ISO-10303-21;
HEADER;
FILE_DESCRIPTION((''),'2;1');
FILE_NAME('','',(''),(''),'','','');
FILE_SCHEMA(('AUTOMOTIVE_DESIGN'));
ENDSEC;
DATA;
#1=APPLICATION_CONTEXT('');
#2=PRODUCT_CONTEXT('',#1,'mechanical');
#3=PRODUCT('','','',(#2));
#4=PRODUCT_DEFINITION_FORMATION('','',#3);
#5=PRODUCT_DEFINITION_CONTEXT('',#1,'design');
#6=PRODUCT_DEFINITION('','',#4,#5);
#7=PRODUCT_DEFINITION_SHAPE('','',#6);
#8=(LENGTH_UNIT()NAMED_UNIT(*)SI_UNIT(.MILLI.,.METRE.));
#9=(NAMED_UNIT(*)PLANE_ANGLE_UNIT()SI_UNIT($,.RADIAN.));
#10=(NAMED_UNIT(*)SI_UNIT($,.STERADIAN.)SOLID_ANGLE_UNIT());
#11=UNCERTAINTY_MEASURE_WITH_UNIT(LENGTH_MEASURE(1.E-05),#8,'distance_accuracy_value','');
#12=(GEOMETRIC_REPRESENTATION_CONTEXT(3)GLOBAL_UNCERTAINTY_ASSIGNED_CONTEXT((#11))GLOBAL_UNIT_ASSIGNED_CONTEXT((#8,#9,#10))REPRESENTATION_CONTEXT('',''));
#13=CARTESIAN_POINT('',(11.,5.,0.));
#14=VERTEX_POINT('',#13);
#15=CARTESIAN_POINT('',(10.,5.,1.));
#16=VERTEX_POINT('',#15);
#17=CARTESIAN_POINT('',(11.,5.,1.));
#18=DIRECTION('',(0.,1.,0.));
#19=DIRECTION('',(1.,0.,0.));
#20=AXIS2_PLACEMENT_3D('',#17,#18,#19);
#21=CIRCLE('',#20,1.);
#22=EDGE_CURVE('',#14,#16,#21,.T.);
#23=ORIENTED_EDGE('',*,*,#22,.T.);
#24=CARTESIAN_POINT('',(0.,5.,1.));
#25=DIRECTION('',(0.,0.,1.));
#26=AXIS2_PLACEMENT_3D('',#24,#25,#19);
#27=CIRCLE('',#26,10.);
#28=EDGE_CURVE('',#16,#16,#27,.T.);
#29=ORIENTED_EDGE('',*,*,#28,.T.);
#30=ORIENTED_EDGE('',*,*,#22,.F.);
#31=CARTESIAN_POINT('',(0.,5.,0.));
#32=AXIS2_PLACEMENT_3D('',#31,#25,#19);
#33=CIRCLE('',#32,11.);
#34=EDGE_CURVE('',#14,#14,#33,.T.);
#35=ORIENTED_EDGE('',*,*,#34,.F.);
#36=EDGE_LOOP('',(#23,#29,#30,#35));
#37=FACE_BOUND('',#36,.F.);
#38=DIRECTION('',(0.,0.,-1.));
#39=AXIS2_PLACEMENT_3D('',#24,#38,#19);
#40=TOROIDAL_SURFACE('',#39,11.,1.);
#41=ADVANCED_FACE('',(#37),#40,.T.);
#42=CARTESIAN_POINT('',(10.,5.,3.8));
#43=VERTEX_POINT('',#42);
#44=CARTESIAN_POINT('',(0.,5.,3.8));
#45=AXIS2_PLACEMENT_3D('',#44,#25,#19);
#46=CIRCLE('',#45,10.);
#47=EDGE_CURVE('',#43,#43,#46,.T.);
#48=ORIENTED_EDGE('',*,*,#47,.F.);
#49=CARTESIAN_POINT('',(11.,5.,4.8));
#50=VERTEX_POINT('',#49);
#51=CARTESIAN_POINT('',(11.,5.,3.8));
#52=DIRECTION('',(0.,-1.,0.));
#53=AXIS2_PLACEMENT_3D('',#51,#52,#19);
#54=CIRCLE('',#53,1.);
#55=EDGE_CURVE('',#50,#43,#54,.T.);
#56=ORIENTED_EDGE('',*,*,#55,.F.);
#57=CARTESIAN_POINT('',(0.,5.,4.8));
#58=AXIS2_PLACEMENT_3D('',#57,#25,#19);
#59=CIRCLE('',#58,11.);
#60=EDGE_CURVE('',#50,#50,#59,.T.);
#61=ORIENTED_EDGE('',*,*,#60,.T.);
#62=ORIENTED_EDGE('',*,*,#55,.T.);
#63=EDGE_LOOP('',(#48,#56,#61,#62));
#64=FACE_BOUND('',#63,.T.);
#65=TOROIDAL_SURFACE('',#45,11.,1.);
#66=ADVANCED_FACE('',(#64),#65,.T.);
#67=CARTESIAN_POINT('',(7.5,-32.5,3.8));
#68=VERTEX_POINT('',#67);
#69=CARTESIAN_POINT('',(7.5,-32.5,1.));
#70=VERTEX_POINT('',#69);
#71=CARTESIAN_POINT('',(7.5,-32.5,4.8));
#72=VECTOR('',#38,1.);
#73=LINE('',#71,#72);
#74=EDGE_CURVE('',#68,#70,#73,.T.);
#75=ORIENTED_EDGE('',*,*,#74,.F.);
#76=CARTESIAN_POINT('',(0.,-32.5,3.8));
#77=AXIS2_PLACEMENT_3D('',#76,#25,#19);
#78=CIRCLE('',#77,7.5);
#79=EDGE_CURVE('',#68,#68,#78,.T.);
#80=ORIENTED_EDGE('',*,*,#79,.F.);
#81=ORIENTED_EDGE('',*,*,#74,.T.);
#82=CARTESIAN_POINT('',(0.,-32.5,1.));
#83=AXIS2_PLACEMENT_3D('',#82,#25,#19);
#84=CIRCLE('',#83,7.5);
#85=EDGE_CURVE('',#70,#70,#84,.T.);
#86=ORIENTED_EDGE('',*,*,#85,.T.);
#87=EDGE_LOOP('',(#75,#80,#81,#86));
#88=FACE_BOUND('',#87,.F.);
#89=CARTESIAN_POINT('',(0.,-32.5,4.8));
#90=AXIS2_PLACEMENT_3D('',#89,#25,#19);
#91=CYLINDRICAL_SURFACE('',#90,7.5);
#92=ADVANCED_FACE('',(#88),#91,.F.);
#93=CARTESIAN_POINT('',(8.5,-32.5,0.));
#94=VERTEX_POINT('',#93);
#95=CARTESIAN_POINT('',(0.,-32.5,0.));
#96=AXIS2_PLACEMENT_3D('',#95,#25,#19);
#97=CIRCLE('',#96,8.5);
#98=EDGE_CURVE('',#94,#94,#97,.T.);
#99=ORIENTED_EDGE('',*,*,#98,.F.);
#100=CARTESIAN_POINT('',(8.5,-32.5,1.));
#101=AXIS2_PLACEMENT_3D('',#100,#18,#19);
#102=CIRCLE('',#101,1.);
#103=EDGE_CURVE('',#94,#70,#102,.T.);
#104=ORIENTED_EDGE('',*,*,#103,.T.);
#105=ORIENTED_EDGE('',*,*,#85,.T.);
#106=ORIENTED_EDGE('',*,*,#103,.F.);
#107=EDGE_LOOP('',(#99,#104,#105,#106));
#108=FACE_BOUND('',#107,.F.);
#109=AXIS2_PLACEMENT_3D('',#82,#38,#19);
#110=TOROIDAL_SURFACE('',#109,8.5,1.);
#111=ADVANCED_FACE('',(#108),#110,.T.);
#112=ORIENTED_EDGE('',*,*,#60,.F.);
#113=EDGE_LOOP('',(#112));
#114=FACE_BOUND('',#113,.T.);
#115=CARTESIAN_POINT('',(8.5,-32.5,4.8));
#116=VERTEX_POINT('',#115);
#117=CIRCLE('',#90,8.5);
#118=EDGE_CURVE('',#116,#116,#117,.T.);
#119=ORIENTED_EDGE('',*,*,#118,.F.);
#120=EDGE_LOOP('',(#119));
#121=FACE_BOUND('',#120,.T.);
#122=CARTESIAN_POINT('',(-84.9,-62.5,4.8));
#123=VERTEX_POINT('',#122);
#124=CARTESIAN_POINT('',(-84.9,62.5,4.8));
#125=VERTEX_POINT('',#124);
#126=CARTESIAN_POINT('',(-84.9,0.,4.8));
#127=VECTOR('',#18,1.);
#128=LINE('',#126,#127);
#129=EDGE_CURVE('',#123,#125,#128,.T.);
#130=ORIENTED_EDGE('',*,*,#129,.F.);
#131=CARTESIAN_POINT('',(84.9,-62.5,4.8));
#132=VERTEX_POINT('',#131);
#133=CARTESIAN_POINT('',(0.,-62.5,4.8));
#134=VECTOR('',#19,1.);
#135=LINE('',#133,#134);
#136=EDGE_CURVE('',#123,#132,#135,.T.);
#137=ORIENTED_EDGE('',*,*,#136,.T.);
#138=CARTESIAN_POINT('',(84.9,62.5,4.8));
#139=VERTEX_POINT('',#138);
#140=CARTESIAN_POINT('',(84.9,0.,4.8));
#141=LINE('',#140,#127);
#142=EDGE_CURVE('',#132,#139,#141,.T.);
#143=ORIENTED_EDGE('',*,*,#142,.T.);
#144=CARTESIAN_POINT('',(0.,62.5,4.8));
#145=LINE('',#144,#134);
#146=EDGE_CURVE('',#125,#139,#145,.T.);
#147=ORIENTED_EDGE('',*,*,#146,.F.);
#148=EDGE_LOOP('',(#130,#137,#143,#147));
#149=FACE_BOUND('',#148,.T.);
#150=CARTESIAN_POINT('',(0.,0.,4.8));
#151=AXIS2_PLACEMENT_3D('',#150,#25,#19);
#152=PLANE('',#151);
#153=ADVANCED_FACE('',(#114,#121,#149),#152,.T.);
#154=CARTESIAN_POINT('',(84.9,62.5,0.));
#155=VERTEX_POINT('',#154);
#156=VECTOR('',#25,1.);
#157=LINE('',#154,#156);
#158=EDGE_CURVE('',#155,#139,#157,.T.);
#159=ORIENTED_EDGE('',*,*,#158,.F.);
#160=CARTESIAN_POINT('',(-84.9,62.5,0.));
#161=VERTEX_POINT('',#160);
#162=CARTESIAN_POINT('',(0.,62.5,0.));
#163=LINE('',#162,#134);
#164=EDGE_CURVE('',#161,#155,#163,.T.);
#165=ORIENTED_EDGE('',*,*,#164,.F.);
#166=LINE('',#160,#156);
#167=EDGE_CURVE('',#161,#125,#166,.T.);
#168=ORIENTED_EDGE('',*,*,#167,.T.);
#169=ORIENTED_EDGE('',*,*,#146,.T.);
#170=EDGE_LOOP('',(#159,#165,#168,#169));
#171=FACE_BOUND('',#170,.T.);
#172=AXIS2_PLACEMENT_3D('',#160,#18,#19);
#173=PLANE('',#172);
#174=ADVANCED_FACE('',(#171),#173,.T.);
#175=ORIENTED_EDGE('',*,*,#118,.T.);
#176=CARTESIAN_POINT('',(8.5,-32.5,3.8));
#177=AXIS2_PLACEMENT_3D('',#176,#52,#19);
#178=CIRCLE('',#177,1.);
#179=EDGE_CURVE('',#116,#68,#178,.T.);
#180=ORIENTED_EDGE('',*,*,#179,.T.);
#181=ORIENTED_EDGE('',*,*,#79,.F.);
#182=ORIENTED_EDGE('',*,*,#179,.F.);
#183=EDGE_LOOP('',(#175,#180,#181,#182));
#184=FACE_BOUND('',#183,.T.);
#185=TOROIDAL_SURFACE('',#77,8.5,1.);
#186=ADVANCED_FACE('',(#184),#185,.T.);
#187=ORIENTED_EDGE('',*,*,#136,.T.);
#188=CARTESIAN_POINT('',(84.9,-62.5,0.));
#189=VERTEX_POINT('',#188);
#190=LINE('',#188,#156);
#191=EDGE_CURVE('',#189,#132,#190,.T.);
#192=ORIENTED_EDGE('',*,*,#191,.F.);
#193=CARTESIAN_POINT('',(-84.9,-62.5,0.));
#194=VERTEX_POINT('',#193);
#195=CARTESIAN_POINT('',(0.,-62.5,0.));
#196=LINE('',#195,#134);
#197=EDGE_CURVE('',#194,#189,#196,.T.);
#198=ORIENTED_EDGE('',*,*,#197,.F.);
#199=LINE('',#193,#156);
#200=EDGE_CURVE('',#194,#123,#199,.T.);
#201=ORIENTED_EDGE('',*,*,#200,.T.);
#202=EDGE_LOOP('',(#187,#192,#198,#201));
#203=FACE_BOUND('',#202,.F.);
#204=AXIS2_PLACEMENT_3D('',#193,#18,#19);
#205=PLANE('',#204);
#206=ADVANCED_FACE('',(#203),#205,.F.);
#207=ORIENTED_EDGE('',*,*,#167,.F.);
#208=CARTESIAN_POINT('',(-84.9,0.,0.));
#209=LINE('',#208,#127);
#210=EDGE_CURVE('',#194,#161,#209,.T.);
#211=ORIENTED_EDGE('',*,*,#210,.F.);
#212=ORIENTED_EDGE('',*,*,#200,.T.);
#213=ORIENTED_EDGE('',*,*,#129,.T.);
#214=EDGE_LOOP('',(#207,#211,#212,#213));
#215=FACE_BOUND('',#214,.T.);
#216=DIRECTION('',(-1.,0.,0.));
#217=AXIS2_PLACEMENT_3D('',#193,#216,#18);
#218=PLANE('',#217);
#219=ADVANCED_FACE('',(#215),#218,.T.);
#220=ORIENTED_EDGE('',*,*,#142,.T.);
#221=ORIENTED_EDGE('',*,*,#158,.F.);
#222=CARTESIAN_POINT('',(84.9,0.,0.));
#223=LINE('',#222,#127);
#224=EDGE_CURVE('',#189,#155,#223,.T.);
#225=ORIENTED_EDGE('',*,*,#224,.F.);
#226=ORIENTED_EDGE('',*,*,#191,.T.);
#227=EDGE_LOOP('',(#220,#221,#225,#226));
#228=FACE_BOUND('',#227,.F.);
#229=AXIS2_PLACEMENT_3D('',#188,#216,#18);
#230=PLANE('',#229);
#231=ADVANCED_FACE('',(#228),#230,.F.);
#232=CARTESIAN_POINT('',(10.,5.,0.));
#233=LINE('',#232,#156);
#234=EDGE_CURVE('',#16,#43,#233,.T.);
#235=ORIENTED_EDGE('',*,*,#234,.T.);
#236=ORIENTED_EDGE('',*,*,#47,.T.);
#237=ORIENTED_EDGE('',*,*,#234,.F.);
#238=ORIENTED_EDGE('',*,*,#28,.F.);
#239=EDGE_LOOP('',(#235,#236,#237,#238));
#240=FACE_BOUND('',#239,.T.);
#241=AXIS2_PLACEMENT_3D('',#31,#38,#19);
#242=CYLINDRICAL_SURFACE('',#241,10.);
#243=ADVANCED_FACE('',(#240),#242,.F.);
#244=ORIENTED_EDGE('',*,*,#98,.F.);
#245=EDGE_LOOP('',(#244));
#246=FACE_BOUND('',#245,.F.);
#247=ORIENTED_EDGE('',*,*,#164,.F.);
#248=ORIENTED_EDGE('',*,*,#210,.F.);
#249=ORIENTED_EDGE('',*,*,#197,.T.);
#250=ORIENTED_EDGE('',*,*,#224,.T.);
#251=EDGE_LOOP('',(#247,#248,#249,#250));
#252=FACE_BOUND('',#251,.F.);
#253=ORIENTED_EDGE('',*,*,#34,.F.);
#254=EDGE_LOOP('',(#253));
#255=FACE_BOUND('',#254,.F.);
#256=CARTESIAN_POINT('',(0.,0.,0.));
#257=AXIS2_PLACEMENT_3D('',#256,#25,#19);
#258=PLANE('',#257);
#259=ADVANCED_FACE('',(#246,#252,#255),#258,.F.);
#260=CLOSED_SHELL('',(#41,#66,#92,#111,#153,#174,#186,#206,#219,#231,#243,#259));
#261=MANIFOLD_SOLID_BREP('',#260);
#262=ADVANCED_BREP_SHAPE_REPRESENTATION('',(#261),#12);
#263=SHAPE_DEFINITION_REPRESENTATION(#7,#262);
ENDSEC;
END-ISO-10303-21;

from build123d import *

# Parameters (mm, degrees)
SKETCH1_W           = 169.8
SKETCH1_H           = 125
SKETCH1_R           = 10
BOSS_EXTRUDE1_DEPTH = 4.8
SKETCH2_R           = 7.5
CUT_EXTRUDE1_DEPTH  = 5.8
FILLET1_R           = 1


with BuildPart() as part:
    # Sketch1 → Boss-Extrude1 (new body)
    with BuildSketch(Plane.XY):
        Rectangle(SKETCH1_W, SKETCH1_H)
        with Locations((0, 5)):
            Circle(SKETCH1_R, mode=Mode.SUBTRACT)
    extrude(amount=BOSS_EXTRUDE1_DEPTH)

    # Sketch2 → Cut-Extrude1 (cut, through all)
    with BuildSketch(Plane.XY.offset(4.8)):
        with Locations((0, -32.5)):
            Circle(SKETCH2_R)
    extrude(amount=-CUT_EXTRUDE1_DEPTH, mode=Mode.SUBTRACT)

    # Fillet1
    fillet1_edges = [part.edges().sort_by_distance(p)[0] for p in [
        (-10, 5, 0),
        (-10, 5, 4.8),
        (-7.5, -32.5, 0),
        (-7.5, -32.5, 4.8),
    ]]
    fillet(fillet1_edges, radius=FILLET1_R)


solid = part.part
